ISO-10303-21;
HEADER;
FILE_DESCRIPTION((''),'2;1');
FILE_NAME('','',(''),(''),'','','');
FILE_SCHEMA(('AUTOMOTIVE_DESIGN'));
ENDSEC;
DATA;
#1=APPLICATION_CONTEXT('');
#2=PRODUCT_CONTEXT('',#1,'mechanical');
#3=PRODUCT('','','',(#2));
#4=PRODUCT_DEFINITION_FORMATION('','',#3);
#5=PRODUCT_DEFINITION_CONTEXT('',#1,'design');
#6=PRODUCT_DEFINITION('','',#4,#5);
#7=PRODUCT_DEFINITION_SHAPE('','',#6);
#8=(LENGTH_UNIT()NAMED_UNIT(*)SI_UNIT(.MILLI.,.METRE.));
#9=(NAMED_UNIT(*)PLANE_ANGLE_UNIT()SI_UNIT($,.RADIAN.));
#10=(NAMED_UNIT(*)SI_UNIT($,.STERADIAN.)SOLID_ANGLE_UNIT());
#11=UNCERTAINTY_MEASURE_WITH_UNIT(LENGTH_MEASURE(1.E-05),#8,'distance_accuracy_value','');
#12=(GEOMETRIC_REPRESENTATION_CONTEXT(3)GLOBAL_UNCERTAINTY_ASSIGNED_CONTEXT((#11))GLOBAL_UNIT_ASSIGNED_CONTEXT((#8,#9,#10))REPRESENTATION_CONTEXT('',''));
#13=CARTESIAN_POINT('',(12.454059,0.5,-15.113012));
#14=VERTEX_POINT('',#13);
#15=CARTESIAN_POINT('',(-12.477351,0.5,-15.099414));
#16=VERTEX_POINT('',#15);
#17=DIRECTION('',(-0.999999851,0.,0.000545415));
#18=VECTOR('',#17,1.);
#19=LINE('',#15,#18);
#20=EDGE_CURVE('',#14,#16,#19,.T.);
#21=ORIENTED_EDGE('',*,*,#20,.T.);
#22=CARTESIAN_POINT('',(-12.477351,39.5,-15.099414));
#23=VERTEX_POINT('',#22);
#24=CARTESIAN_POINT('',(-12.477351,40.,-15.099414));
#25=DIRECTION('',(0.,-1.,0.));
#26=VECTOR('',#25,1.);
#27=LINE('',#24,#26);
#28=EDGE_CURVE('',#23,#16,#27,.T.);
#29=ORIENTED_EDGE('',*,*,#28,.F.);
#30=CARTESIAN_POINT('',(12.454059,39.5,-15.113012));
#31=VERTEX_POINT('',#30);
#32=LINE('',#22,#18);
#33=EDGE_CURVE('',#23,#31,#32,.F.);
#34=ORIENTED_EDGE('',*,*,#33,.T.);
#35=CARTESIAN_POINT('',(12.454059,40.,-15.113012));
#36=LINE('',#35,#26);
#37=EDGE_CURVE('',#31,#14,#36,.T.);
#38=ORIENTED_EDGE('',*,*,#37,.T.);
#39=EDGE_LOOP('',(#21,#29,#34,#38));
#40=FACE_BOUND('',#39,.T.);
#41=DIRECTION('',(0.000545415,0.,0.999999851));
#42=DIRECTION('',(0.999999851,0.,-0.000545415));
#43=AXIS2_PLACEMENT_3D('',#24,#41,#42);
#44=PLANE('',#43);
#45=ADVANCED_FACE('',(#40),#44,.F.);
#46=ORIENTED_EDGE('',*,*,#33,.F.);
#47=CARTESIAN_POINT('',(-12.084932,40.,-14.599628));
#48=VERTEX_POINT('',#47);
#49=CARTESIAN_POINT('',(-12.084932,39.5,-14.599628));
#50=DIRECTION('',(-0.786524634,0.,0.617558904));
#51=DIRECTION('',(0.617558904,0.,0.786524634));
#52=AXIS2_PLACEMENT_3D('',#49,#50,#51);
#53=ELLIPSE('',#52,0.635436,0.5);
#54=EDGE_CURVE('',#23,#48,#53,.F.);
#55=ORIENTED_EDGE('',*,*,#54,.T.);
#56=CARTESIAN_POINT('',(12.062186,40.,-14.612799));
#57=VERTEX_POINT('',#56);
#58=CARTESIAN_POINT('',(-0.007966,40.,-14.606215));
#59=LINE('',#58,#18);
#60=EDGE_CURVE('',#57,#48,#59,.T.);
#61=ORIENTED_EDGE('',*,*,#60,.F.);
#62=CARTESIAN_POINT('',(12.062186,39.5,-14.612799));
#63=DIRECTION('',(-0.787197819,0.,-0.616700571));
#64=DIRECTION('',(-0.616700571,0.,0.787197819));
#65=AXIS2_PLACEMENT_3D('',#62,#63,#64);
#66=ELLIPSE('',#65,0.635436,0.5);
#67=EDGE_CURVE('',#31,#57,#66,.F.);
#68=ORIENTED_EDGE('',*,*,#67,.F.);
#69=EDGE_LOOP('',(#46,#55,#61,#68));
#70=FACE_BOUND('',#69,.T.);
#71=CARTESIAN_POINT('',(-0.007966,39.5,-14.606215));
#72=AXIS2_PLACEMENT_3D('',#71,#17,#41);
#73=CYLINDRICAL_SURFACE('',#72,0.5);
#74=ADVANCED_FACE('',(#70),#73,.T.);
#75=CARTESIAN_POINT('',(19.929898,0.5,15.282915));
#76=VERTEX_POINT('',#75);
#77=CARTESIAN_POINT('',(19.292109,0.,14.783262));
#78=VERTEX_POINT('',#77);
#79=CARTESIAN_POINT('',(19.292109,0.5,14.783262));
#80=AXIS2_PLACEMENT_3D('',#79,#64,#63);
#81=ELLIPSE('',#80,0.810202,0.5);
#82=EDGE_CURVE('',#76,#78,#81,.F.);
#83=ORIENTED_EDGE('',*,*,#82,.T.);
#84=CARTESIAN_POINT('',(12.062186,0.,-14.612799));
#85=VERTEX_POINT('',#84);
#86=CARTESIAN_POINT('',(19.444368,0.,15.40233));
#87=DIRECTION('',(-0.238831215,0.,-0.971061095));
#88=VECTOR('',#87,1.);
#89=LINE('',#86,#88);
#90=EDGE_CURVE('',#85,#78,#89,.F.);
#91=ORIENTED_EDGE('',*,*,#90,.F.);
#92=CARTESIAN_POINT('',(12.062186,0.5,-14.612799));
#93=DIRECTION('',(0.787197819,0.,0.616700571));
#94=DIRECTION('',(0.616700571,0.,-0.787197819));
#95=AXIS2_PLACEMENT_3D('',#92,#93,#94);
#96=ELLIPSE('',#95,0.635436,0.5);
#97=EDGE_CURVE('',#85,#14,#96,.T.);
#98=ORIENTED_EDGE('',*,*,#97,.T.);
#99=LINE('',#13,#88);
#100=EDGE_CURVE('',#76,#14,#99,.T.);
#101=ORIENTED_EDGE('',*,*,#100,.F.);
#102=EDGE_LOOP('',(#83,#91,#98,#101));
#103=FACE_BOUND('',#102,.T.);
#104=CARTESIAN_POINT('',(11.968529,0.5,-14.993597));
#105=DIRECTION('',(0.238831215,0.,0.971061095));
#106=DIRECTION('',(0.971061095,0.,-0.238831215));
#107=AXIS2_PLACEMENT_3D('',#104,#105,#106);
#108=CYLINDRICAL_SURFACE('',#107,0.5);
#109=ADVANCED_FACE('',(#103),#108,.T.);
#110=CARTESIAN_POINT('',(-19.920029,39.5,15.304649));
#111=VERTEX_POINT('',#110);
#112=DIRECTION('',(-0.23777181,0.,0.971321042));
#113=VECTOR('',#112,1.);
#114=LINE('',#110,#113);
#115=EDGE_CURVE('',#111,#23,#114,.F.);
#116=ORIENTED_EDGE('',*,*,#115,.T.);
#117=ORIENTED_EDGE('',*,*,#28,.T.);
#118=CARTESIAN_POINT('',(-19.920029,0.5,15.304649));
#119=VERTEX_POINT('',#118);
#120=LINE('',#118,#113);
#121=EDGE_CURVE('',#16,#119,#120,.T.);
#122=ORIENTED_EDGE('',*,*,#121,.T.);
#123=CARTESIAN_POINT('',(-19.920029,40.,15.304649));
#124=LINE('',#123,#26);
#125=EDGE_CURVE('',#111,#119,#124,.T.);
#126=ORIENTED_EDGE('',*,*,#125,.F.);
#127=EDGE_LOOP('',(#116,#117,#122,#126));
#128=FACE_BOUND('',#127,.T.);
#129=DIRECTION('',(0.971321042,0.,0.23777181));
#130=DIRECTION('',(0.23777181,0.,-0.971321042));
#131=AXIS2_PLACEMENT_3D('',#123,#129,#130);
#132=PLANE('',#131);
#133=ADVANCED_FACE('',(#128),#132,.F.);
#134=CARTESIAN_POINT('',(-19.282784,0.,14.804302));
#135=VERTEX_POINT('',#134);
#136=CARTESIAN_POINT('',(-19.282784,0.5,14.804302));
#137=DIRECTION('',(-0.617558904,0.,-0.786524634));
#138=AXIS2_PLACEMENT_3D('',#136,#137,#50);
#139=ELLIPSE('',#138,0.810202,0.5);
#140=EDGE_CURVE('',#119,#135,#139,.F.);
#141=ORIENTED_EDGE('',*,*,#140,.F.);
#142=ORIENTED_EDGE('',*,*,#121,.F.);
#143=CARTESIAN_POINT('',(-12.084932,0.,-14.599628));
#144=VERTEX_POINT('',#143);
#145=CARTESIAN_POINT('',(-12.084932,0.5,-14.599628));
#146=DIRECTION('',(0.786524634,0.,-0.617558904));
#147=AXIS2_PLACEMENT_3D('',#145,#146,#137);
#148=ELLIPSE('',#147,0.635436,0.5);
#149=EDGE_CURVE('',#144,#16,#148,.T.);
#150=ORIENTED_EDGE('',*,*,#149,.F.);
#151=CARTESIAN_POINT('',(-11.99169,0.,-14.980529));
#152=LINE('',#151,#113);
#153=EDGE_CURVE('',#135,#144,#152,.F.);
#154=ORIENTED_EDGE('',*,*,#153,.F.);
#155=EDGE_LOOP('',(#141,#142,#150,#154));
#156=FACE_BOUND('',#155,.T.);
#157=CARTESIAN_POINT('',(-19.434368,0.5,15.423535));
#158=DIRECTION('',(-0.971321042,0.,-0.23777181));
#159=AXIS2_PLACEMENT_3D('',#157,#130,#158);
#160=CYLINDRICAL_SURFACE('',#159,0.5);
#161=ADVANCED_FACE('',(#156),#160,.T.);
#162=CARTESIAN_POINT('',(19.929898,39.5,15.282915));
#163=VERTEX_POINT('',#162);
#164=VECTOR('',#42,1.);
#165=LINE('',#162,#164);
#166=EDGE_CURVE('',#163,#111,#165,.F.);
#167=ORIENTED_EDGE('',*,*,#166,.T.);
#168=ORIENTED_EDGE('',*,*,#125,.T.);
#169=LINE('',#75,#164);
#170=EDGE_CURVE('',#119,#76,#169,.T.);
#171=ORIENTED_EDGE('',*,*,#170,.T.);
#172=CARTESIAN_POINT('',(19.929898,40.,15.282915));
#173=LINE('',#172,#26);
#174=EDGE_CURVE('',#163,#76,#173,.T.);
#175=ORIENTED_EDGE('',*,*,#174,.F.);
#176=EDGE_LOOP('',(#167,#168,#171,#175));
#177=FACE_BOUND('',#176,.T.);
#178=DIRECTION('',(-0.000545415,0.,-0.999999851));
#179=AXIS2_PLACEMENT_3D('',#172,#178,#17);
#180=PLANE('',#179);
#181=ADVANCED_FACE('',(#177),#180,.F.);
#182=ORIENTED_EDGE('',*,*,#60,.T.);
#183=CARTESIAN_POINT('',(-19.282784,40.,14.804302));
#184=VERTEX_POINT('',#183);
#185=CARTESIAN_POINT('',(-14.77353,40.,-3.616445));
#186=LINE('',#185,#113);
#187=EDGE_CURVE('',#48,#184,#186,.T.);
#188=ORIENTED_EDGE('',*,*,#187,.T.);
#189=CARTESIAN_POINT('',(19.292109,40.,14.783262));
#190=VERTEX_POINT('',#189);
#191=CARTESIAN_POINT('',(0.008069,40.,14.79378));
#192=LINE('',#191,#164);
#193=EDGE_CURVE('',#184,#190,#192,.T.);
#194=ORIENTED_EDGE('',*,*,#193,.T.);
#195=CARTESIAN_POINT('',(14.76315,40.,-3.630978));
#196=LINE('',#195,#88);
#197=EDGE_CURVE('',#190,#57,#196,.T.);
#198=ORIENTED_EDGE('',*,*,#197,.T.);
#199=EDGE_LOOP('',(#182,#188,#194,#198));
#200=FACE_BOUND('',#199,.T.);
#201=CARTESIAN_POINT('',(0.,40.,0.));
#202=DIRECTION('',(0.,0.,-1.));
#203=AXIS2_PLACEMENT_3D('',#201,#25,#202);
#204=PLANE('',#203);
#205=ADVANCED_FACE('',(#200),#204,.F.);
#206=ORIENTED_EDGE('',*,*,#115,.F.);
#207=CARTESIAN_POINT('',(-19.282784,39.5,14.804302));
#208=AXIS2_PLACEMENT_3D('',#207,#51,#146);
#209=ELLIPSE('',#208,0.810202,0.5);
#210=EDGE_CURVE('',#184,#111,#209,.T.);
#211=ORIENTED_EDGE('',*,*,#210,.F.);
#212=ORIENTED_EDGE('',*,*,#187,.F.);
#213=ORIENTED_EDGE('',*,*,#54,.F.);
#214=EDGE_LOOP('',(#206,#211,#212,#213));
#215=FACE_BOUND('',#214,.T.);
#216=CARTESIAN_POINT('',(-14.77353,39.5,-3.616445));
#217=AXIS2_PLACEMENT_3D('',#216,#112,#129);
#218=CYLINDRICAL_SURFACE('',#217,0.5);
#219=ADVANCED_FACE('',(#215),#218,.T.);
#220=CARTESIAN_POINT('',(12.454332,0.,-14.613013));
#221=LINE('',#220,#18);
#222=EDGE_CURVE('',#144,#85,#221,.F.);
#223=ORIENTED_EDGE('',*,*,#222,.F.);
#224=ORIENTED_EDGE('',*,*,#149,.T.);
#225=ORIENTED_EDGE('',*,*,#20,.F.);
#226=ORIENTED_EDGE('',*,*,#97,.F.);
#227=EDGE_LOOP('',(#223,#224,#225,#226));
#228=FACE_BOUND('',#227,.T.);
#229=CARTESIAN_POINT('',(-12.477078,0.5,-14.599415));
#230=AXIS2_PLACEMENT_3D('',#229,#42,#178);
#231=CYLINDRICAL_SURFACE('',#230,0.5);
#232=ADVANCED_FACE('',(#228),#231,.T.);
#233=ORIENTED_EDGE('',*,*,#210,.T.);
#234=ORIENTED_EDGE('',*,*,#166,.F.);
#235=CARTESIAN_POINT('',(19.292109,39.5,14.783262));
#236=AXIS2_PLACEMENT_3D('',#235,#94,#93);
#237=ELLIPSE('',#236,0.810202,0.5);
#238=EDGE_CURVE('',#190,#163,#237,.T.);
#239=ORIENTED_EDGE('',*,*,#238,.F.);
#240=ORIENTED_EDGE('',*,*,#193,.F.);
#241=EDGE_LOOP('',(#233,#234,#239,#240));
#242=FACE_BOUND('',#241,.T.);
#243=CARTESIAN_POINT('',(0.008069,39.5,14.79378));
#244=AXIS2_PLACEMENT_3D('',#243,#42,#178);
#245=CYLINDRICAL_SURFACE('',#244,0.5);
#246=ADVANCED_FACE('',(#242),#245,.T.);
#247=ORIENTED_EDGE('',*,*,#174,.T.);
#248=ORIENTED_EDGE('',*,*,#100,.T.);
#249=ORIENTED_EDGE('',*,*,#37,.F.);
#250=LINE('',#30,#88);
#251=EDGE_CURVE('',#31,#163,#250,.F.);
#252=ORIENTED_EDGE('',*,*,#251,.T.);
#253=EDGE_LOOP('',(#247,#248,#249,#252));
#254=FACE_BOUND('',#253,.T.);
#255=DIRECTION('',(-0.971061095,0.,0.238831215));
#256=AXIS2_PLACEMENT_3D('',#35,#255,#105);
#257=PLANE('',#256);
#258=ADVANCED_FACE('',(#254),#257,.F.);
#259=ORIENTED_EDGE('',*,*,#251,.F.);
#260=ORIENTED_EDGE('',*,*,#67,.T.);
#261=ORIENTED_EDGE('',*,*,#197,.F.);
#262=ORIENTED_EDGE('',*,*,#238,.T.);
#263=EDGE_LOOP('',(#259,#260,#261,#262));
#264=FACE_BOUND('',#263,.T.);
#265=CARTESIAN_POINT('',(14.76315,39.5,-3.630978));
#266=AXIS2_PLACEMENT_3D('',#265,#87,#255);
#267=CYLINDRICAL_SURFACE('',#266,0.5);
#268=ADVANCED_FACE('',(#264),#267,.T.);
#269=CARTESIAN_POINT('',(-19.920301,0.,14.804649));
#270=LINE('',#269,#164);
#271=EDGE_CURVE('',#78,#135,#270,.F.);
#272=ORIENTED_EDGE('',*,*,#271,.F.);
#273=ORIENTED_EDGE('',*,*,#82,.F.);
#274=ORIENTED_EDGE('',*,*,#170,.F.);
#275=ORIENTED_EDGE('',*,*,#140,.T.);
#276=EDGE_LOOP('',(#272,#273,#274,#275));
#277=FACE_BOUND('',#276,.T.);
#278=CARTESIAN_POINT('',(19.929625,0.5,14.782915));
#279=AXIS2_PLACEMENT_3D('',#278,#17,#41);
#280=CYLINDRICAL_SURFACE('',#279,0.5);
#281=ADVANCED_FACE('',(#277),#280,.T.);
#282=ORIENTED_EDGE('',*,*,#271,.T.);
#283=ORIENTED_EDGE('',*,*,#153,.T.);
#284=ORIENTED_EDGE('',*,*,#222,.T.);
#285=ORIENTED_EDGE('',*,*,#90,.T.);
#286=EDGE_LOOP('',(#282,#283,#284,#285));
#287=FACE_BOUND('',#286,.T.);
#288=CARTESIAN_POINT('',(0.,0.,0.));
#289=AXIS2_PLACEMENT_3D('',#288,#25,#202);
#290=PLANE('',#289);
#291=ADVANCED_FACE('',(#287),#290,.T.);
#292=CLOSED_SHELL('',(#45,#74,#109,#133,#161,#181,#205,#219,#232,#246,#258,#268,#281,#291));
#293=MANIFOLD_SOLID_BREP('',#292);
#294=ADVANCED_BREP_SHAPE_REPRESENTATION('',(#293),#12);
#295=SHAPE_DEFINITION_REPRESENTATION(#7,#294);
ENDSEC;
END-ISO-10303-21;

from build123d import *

# Parameters (mm, degrees)
BOSS_EXTRUDE1_DEPTH = 40
FILLET1_R           = 0.5


with BuildPart() as part:
    # Sketch1 → Boss-Extrude1 (new body)
    with BuildSketch(Plane(origin=(0, 0, 0), x_dir=(-1, 0, 0), z_dir=(0, 1, 0))):
        Polygon((-19.929898094, 15.28291465), (19.920028533, 15.304649416), (12.477351011, -15.099414457), (-12.454059318, -15.113012433), align=None)
    extrude(amount=BOSS_EXTRUDE1_DEPTH)

    # Fillet1
    fillet1_edges = [part.edges().sort_by_distance(p)[0] for p in [
        (-16.198689772, 40, 0.102617479),
        (0.00493478, 40, 15.293782033),
        (16.191978706, 40, 0.084951109),
        (0.00493478, 0, 15.293782033),
        (-16.198689772, 0, 0.102617479),
        (-0.011645847, 0, -15.106213445),
        (16.191978706, 0, 0.084951109),
        (-0.011645847, 40, -15.106213445),
    ]]
    fillet(fillet1_edges, radius=FILLET1_R)


solid = part.part
